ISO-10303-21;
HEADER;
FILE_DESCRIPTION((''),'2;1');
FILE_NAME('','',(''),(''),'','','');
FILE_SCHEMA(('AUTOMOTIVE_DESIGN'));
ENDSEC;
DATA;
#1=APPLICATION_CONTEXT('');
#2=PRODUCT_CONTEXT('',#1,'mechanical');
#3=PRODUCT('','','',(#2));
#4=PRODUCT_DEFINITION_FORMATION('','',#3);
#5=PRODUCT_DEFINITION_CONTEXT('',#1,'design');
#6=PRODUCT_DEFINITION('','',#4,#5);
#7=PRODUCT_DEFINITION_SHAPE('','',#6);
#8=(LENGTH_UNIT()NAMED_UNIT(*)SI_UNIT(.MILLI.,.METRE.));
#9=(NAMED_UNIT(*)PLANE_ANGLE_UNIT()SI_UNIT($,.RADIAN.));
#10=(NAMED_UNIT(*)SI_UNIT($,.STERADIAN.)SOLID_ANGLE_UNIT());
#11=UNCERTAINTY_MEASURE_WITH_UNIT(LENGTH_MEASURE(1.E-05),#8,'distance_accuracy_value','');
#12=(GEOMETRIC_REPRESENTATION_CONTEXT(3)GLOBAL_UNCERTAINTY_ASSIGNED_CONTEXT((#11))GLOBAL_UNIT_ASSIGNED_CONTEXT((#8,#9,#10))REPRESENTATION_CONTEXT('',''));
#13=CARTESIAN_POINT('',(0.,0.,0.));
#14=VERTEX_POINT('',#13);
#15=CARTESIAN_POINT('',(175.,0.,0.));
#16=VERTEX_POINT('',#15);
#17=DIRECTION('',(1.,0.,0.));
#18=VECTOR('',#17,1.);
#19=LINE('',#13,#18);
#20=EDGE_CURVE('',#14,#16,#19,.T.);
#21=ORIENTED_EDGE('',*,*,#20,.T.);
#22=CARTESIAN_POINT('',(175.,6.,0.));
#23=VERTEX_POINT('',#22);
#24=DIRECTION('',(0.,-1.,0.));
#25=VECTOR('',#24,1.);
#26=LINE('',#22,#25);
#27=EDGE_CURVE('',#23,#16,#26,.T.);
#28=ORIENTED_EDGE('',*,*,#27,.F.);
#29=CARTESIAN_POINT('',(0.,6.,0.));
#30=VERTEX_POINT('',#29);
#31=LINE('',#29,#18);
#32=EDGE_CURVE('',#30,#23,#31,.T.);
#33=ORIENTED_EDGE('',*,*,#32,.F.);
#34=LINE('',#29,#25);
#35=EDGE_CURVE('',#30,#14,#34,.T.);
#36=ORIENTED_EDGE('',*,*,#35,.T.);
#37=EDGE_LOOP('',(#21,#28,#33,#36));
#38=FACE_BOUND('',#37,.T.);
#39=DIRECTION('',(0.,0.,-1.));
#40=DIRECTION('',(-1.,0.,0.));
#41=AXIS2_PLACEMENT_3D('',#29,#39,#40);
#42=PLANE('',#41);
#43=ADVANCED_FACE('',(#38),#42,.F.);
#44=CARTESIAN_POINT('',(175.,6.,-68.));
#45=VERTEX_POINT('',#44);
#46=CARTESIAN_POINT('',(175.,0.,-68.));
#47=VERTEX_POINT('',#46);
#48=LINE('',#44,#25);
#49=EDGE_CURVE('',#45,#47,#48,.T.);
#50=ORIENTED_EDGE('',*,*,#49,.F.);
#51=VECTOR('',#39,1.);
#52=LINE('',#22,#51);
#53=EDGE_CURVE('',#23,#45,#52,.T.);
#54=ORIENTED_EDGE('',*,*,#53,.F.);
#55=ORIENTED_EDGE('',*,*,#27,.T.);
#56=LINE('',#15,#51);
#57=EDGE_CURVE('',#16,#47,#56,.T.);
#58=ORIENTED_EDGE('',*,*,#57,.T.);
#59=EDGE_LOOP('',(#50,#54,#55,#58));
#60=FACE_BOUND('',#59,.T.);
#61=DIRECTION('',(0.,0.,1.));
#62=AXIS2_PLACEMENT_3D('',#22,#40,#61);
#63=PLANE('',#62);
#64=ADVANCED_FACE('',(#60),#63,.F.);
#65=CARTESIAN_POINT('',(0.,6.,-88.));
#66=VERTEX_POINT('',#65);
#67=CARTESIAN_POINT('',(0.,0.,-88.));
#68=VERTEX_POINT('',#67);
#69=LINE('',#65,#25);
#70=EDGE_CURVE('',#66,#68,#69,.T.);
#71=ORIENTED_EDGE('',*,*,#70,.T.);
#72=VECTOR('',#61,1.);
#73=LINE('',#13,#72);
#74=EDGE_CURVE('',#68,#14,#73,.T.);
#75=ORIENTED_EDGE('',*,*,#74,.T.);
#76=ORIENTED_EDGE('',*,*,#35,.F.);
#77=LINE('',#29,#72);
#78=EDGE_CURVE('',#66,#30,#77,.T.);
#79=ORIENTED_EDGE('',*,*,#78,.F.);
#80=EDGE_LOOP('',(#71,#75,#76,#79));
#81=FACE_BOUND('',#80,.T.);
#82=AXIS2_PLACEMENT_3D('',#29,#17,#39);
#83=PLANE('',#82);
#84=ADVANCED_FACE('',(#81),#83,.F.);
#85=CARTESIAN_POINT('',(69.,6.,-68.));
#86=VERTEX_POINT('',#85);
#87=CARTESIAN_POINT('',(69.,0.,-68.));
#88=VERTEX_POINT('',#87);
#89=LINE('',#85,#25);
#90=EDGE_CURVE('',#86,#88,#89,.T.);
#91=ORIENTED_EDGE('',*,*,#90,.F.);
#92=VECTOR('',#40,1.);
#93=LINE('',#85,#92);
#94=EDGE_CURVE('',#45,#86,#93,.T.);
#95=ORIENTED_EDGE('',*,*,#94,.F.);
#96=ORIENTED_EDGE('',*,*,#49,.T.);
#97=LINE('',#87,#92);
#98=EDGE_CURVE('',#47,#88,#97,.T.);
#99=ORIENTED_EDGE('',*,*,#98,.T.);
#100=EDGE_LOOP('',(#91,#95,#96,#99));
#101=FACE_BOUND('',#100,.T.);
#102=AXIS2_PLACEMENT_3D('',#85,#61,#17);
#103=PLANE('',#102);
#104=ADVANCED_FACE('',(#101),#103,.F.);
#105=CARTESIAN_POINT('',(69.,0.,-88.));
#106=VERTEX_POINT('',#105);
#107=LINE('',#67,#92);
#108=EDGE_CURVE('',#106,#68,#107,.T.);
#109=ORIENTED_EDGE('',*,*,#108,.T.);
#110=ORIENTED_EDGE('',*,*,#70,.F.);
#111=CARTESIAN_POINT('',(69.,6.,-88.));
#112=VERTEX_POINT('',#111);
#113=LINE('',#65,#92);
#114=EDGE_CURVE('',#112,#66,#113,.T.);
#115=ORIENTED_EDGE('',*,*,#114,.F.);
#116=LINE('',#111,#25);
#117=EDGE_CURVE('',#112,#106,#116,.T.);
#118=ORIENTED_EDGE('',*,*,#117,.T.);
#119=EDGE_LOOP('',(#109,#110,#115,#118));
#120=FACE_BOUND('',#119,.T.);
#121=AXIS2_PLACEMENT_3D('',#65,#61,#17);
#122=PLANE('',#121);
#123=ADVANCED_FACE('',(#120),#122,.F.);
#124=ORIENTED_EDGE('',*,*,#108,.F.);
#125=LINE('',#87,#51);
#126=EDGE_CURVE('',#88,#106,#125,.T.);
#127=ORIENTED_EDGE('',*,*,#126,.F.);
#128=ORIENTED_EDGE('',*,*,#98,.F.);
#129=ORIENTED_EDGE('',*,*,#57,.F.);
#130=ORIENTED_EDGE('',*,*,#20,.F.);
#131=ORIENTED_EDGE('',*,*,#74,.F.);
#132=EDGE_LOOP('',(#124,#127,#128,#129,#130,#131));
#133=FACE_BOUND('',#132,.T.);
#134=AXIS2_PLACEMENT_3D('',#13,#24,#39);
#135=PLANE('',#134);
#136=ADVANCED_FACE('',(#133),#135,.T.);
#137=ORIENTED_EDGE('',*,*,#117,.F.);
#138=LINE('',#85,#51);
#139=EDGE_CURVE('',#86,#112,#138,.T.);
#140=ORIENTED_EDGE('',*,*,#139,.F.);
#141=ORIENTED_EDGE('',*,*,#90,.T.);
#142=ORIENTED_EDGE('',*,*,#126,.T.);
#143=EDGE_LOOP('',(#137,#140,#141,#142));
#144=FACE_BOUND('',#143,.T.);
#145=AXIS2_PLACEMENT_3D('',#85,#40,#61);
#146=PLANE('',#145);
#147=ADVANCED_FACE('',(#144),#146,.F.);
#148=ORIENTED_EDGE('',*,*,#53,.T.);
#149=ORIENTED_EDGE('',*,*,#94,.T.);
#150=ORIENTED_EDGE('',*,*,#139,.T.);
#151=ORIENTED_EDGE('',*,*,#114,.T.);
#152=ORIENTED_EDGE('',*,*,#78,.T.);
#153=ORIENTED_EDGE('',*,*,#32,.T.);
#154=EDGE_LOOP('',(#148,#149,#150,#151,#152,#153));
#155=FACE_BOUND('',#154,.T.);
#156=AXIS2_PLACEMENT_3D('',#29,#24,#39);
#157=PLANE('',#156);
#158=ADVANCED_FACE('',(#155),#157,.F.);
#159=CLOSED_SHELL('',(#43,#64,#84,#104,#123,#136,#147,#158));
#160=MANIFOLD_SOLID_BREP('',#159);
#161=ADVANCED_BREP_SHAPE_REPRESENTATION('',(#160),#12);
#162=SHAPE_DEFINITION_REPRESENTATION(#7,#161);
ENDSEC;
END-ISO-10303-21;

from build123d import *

# Parameters (mm, degrees)
BOSS_EXTRUDE1_DEPTH = 6


with BuildPart() as part:
    # Sketch1 → Boss-Extrude1 (new body)
    with BuildSketch(Plane(origin=(0, 0, 0), x_dir=(1, 0, 0), z_dir=(0, 1, 0))):
        Polygon((0, 0), (175, 0), (175, 68), (69, 68), (69, 88), (0, 88), align=None)
    extrude(amount=BOSS_EXTRUDE1_DEPTH)


solid = part.part
